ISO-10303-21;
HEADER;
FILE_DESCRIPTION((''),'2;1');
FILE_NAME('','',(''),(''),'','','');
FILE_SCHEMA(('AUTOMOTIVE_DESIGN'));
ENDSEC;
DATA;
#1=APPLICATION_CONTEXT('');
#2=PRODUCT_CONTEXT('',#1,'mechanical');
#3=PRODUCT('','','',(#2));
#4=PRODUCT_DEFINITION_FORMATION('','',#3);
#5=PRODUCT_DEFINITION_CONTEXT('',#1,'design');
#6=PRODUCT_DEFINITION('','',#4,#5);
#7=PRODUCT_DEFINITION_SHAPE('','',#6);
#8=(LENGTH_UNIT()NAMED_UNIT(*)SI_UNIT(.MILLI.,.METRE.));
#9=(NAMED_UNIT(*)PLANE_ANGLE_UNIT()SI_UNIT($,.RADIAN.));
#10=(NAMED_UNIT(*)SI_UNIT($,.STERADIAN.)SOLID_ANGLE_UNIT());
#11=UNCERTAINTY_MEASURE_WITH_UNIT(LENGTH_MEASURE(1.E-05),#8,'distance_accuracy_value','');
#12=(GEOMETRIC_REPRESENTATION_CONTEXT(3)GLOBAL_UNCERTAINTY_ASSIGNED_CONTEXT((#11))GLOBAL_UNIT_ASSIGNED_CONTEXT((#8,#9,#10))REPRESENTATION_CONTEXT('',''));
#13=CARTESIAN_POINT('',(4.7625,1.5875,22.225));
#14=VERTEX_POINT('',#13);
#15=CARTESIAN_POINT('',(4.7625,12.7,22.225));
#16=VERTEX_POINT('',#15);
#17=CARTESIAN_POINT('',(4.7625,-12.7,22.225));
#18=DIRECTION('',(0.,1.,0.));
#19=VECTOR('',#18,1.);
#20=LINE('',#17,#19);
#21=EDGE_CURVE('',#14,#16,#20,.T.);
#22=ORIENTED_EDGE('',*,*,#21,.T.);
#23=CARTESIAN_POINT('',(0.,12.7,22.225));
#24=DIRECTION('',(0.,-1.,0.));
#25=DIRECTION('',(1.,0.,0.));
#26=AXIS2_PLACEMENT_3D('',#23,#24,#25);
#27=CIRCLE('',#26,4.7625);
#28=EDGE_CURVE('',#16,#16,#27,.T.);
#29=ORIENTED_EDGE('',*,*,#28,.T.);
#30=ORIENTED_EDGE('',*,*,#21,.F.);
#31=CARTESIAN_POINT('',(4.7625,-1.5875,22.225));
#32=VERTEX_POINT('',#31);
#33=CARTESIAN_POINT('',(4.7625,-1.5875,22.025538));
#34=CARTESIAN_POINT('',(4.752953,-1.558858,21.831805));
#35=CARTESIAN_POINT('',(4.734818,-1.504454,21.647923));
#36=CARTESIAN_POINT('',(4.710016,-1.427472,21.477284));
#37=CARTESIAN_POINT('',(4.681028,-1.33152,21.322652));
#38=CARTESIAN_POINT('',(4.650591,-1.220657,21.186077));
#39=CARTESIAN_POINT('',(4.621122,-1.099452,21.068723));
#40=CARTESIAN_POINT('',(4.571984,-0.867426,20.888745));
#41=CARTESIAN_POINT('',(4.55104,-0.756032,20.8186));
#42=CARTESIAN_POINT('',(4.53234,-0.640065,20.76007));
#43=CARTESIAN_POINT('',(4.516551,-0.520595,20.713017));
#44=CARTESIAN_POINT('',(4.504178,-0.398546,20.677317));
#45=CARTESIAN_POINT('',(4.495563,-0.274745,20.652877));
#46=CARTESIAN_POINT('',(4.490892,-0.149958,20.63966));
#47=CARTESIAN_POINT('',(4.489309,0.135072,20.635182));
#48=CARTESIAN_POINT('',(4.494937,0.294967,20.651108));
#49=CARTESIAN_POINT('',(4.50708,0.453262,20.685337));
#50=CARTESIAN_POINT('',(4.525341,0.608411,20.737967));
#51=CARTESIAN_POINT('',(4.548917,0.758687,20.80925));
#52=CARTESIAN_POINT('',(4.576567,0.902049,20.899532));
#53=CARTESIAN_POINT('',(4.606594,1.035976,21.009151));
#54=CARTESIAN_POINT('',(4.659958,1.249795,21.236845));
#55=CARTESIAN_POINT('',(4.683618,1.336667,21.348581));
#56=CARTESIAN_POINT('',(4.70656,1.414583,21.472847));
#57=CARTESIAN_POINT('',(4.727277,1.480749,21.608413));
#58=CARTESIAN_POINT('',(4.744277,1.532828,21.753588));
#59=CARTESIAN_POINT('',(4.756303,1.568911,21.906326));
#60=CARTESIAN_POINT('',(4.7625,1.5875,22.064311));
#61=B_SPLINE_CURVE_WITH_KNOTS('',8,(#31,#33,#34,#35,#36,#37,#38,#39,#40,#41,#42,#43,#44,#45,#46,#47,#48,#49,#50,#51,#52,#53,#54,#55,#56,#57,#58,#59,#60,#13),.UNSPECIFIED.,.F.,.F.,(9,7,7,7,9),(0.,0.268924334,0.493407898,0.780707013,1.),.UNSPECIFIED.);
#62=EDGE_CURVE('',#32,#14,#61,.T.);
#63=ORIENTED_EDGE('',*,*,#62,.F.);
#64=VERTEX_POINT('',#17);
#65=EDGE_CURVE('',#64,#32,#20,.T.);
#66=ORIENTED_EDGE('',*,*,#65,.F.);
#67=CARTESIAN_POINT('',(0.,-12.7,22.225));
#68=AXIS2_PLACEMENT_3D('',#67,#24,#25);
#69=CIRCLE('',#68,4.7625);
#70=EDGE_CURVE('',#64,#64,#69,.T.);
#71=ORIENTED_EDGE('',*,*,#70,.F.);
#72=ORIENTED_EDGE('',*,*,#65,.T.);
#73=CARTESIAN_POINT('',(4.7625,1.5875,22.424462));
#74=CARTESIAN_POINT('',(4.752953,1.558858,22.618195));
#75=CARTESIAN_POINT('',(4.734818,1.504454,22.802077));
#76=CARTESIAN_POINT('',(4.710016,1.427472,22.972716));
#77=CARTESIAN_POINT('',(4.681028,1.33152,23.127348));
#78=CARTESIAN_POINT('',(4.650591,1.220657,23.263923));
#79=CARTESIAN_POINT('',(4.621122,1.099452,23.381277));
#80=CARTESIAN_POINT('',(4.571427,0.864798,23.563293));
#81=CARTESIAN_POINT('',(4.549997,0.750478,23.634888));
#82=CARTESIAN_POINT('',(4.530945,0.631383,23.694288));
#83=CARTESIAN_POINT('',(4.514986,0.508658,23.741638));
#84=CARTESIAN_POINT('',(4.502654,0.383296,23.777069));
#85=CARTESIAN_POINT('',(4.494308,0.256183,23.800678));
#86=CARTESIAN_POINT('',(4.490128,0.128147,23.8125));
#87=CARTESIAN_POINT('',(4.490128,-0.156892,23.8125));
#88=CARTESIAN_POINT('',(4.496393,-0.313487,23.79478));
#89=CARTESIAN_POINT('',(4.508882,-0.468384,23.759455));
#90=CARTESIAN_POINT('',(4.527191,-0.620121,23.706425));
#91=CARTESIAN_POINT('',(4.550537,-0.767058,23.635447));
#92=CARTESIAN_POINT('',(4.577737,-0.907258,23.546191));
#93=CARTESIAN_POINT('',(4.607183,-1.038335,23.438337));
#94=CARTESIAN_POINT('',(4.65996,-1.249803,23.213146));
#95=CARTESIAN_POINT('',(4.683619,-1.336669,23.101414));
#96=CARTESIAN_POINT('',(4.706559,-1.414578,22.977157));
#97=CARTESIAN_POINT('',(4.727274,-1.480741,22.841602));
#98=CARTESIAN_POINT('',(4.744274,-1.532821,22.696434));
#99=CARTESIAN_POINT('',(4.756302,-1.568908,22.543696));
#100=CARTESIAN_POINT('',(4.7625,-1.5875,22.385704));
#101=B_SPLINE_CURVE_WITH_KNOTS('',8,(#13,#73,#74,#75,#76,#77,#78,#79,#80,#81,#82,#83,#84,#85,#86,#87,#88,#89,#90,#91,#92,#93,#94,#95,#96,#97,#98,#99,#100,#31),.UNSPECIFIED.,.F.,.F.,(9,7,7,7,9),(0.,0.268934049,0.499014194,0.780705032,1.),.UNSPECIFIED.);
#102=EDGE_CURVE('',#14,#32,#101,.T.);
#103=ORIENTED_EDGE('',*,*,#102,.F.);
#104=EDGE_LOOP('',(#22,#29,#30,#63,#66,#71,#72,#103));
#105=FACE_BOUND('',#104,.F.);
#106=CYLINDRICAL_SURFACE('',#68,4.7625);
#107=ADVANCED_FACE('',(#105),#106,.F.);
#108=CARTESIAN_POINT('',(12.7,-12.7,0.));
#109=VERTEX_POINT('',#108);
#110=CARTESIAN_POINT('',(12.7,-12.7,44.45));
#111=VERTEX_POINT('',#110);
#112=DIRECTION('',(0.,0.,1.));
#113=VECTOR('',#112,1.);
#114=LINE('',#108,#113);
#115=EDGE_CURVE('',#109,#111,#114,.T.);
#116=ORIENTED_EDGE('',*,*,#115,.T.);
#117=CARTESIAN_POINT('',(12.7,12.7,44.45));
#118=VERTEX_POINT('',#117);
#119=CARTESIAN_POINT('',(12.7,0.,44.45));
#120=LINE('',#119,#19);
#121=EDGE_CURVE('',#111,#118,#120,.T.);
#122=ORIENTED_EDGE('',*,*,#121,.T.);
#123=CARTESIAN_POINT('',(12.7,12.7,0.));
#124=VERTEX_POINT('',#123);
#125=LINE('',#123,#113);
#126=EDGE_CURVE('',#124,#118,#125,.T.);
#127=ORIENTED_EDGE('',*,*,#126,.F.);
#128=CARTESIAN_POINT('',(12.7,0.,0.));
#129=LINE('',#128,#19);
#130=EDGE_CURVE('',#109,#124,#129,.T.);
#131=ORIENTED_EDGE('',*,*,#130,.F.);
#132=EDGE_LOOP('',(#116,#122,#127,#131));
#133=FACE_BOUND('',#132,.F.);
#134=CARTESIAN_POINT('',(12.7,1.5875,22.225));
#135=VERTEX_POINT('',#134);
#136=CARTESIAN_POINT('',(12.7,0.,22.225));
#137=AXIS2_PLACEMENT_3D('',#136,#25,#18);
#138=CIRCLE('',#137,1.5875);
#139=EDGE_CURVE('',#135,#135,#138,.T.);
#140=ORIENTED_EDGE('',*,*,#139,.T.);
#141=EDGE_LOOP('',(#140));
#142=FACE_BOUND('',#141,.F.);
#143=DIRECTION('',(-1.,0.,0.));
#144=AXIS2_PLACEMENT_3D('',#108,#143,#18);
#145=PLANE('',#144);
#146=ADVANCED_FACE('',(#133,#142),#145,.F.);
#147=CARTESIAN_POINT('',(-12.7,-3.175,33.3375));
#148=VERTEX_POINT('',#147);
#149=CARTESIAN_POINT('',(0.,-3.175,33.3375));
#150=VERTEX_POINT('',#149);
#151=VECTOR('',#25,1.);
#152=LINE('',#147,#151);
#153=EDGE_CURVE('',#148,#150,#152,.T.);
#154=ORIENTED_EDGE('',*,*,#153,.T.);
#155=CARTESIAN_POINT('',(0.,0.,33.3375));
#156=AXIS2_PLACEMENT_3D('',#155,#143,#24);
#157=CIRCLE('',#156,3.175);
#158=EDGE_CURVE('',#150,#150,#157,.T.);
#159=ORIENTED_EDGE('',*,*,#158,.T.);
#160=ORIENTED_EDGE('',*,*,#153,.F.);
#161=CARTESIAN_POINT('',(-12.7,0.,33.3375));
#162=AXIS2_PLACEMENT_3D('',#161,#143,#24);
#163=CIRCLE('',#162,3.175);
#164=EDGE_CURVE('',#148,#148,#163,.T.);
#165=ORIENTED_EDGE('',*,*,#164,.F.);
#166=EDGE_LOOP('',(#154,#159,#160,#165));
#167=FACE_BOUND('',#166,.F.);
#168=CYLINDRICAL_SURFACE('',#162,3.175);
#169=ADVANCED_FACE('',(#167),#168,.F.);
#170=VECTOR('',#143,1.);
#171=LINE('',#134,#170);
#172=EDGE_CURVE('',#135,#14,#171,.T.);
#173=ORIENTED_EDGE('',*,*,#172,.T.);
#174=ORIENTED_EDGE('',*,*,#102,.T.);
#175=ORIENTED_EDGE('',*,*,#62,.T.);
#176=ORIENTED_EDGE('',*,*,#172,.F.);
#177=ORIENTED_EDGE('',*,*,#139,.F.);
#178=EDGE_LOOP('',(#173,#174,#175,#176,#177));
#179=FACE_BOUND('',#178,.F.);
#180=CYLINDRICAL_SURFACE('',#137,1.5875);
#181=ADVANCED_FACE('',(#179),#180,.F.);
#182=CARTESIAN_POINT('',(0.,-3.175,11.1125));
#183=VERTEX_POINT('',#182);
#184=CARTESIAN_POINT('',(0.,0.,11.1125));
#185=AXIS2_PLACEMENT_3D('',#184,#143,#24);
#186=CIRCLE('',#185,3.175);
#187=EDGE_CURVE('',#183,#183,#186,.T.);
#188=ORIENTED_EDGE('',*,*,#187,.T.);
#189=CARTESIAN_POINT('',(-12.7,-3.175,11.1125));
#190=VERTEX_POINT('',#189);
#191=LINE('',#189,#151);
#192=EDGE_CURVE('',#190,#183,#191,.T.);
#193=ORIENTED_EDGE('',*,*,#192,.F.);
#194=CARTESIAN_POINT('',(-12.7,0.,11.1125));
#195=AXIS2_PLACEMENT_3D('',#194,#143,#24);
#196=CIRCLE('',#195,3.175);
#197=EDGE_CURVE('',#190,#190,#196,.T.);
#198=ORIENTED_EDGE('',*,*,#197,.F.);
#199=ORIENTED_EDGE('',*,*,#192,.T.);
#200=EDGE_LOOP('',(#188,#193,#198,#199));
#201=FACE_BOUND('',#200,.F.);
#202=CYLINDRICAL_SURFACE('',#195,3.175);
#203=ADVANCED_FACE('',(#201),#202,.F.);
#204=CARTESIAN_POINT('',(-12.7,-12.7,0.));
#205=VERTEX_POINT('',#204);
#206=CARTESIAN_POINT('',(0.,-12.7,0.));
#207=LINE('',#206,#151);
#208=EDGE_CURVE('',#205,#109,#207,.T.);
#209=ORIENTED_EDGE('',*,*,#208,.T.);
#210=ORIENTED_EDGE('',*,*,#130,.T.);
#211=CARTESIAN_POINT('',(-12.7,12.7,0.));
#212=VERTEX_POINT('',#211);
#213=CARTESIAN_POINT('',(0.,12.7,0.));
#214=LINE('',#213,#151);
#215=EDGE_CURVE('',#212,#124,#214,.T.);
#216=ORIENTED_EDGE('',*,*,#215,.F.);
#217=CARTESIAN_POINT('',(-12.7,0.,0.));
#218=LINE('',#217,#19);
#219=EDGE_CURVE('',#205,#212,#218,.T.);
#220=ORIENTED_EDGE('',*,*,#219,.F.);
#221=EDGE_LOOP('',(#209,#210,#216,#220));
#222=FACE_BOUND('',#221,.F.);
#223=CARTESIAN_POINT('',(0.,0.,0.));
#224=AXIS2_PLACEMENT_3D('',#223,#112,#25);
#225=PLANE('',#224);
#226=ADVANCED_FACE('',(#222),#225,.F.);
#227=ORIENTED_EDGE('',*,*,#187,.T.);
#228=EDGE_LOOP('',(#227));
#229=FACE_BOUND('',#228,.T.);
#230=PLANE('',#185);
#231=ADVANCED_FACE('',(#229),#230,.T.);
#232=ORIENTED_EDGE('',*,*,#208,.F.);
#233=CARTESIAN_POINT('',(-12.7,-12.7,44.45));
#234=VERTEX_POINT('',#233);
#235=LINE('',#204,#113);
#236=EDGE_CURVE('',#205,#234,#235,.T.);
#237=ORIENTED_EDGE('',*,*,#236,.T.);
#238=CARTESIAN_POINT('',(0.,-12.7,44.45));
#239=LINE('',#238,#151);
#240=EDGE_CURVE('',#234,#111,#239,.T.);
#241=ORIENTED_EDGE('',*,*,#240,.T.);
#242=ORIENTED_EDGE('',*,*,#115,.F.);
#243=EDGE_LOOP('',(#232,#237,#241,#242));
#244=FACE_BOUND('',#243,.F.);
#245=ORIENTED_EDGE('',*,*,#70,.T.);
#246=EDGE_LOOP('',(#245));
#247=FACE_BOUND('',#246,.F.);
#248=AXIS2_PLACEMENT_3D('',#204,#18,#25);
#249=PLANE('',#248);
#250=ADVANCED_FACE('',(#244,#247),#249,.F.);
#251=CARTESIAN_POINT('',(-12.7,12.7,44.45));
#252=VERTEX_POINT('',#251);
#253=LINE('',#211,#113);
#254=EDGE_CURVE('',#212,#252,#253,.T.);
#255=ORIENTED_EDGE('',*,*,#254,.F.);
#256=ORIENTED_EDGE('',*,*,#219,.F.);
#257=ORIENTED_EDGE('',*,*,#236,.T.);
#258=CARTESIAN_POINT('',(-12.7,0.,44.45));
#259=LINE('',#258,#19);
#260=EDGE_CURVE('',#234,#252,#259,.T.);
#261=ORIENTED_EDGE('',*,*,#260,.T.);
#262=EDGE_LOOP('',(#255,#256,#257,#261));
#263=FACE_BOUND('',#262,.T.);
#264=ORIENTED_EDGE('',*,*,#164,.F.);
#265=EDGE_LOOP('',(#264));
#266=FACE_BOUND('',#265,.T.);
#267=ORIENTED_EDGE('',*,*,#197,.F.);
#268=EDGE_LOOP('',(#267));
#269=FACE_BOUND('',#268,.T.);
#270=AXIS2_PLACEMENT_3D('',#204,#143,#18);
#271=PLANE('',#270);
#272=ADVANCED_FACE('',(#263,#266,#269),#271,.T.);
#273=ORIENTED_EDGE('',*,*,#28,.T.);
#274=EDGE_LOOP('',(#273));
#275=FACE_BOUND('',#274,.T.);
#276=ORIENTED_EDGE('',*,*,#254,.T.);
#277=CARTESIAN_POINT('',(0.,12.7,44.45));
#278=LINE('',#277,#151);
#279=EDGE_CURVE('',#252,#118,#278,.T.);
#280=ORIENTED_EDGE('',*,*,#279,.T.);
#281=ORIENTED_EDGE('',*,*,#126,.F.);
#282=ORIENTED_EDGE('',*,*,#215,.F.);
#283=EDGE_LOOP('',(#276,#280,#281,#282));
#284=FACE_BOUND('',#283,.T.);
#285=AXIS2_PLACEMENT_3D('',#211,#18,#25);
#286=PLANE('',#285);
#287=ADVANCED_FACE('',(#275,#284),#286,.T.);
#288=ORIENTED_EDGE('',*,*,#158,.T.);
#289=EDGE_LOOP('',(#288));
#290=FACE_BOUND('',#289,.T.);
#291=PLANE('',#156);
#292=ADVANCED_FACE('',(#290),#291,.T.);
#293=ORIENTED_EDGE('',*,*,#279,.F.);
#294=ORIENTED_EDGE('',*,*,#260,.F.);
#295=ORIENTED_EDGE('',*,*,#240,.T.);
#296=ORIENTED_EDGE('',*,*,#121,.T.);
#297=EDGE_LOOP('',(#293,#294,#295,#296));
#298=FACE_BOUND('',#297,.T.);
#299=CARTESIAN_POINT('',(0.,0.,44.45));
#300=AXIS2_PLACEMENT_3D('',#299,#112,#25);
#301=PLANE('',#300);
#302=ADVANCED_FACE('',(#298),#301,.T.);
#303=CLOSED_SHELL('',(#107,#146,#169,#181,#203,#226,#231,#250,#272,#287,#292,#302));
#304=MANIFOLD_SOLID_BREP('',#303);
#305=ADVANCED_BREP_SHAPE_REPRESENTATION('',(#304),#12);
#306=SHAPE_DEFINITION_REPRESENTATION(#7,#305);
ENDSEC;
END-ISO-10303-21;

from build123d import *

# Parameters (mm, degrees)
F0_W     = 25.4
F0_H     = 25.4
F1_DEPTH = 44.45
F2_R     = 4.7625
F3_DEPTH = 25.401
F4_R     = 1.5875
F5_DEPTH = 12.7
F6_R     = 3.175
F7_DEPTH = 12.7


with BuildPart() as f1:
    # F0 (on Top) → F1 (new body)
    with BuildSketch(Plane.XY):
        Rectangle(F0_W, F0_H)
    extrude(amount=F1_DEPTH)

    # F2 (on face) → F3 (cut, through all)
    with BuildSketch(Plane.XZ.offset(12.7)):
        with Locations((0, 22.225)):
            Circle(F2_R)
    extrude(amount=-F3_DEPTH, mode=Mode.SUBTRACT)

    # F4 (on face) → F5 (cut)
    with BuildSketch(Plane.YZ.offset(12.7)):
        with Locations((0, 22.225)):
            Circle(F4_R)
    extrude(amount=-F5_DEPTH, mode=Mode.SUBTRACT)

    # F6 (on face) → F7 (cut)
    with BuildSketch(Plane(origin=(-12.7, 0, 0), x_dir=(0, -1, 0), z_dir=(-1, 0, 0))):
        with Locations((0, 33.3375)):
            Circle(F6_R)
        with Locations((0, 11.1125)):
            Circle(F6_R)
    extrude(amount=-F7_DEPTH, mode=Mode.SUBTRACT)


solid = f1.part
